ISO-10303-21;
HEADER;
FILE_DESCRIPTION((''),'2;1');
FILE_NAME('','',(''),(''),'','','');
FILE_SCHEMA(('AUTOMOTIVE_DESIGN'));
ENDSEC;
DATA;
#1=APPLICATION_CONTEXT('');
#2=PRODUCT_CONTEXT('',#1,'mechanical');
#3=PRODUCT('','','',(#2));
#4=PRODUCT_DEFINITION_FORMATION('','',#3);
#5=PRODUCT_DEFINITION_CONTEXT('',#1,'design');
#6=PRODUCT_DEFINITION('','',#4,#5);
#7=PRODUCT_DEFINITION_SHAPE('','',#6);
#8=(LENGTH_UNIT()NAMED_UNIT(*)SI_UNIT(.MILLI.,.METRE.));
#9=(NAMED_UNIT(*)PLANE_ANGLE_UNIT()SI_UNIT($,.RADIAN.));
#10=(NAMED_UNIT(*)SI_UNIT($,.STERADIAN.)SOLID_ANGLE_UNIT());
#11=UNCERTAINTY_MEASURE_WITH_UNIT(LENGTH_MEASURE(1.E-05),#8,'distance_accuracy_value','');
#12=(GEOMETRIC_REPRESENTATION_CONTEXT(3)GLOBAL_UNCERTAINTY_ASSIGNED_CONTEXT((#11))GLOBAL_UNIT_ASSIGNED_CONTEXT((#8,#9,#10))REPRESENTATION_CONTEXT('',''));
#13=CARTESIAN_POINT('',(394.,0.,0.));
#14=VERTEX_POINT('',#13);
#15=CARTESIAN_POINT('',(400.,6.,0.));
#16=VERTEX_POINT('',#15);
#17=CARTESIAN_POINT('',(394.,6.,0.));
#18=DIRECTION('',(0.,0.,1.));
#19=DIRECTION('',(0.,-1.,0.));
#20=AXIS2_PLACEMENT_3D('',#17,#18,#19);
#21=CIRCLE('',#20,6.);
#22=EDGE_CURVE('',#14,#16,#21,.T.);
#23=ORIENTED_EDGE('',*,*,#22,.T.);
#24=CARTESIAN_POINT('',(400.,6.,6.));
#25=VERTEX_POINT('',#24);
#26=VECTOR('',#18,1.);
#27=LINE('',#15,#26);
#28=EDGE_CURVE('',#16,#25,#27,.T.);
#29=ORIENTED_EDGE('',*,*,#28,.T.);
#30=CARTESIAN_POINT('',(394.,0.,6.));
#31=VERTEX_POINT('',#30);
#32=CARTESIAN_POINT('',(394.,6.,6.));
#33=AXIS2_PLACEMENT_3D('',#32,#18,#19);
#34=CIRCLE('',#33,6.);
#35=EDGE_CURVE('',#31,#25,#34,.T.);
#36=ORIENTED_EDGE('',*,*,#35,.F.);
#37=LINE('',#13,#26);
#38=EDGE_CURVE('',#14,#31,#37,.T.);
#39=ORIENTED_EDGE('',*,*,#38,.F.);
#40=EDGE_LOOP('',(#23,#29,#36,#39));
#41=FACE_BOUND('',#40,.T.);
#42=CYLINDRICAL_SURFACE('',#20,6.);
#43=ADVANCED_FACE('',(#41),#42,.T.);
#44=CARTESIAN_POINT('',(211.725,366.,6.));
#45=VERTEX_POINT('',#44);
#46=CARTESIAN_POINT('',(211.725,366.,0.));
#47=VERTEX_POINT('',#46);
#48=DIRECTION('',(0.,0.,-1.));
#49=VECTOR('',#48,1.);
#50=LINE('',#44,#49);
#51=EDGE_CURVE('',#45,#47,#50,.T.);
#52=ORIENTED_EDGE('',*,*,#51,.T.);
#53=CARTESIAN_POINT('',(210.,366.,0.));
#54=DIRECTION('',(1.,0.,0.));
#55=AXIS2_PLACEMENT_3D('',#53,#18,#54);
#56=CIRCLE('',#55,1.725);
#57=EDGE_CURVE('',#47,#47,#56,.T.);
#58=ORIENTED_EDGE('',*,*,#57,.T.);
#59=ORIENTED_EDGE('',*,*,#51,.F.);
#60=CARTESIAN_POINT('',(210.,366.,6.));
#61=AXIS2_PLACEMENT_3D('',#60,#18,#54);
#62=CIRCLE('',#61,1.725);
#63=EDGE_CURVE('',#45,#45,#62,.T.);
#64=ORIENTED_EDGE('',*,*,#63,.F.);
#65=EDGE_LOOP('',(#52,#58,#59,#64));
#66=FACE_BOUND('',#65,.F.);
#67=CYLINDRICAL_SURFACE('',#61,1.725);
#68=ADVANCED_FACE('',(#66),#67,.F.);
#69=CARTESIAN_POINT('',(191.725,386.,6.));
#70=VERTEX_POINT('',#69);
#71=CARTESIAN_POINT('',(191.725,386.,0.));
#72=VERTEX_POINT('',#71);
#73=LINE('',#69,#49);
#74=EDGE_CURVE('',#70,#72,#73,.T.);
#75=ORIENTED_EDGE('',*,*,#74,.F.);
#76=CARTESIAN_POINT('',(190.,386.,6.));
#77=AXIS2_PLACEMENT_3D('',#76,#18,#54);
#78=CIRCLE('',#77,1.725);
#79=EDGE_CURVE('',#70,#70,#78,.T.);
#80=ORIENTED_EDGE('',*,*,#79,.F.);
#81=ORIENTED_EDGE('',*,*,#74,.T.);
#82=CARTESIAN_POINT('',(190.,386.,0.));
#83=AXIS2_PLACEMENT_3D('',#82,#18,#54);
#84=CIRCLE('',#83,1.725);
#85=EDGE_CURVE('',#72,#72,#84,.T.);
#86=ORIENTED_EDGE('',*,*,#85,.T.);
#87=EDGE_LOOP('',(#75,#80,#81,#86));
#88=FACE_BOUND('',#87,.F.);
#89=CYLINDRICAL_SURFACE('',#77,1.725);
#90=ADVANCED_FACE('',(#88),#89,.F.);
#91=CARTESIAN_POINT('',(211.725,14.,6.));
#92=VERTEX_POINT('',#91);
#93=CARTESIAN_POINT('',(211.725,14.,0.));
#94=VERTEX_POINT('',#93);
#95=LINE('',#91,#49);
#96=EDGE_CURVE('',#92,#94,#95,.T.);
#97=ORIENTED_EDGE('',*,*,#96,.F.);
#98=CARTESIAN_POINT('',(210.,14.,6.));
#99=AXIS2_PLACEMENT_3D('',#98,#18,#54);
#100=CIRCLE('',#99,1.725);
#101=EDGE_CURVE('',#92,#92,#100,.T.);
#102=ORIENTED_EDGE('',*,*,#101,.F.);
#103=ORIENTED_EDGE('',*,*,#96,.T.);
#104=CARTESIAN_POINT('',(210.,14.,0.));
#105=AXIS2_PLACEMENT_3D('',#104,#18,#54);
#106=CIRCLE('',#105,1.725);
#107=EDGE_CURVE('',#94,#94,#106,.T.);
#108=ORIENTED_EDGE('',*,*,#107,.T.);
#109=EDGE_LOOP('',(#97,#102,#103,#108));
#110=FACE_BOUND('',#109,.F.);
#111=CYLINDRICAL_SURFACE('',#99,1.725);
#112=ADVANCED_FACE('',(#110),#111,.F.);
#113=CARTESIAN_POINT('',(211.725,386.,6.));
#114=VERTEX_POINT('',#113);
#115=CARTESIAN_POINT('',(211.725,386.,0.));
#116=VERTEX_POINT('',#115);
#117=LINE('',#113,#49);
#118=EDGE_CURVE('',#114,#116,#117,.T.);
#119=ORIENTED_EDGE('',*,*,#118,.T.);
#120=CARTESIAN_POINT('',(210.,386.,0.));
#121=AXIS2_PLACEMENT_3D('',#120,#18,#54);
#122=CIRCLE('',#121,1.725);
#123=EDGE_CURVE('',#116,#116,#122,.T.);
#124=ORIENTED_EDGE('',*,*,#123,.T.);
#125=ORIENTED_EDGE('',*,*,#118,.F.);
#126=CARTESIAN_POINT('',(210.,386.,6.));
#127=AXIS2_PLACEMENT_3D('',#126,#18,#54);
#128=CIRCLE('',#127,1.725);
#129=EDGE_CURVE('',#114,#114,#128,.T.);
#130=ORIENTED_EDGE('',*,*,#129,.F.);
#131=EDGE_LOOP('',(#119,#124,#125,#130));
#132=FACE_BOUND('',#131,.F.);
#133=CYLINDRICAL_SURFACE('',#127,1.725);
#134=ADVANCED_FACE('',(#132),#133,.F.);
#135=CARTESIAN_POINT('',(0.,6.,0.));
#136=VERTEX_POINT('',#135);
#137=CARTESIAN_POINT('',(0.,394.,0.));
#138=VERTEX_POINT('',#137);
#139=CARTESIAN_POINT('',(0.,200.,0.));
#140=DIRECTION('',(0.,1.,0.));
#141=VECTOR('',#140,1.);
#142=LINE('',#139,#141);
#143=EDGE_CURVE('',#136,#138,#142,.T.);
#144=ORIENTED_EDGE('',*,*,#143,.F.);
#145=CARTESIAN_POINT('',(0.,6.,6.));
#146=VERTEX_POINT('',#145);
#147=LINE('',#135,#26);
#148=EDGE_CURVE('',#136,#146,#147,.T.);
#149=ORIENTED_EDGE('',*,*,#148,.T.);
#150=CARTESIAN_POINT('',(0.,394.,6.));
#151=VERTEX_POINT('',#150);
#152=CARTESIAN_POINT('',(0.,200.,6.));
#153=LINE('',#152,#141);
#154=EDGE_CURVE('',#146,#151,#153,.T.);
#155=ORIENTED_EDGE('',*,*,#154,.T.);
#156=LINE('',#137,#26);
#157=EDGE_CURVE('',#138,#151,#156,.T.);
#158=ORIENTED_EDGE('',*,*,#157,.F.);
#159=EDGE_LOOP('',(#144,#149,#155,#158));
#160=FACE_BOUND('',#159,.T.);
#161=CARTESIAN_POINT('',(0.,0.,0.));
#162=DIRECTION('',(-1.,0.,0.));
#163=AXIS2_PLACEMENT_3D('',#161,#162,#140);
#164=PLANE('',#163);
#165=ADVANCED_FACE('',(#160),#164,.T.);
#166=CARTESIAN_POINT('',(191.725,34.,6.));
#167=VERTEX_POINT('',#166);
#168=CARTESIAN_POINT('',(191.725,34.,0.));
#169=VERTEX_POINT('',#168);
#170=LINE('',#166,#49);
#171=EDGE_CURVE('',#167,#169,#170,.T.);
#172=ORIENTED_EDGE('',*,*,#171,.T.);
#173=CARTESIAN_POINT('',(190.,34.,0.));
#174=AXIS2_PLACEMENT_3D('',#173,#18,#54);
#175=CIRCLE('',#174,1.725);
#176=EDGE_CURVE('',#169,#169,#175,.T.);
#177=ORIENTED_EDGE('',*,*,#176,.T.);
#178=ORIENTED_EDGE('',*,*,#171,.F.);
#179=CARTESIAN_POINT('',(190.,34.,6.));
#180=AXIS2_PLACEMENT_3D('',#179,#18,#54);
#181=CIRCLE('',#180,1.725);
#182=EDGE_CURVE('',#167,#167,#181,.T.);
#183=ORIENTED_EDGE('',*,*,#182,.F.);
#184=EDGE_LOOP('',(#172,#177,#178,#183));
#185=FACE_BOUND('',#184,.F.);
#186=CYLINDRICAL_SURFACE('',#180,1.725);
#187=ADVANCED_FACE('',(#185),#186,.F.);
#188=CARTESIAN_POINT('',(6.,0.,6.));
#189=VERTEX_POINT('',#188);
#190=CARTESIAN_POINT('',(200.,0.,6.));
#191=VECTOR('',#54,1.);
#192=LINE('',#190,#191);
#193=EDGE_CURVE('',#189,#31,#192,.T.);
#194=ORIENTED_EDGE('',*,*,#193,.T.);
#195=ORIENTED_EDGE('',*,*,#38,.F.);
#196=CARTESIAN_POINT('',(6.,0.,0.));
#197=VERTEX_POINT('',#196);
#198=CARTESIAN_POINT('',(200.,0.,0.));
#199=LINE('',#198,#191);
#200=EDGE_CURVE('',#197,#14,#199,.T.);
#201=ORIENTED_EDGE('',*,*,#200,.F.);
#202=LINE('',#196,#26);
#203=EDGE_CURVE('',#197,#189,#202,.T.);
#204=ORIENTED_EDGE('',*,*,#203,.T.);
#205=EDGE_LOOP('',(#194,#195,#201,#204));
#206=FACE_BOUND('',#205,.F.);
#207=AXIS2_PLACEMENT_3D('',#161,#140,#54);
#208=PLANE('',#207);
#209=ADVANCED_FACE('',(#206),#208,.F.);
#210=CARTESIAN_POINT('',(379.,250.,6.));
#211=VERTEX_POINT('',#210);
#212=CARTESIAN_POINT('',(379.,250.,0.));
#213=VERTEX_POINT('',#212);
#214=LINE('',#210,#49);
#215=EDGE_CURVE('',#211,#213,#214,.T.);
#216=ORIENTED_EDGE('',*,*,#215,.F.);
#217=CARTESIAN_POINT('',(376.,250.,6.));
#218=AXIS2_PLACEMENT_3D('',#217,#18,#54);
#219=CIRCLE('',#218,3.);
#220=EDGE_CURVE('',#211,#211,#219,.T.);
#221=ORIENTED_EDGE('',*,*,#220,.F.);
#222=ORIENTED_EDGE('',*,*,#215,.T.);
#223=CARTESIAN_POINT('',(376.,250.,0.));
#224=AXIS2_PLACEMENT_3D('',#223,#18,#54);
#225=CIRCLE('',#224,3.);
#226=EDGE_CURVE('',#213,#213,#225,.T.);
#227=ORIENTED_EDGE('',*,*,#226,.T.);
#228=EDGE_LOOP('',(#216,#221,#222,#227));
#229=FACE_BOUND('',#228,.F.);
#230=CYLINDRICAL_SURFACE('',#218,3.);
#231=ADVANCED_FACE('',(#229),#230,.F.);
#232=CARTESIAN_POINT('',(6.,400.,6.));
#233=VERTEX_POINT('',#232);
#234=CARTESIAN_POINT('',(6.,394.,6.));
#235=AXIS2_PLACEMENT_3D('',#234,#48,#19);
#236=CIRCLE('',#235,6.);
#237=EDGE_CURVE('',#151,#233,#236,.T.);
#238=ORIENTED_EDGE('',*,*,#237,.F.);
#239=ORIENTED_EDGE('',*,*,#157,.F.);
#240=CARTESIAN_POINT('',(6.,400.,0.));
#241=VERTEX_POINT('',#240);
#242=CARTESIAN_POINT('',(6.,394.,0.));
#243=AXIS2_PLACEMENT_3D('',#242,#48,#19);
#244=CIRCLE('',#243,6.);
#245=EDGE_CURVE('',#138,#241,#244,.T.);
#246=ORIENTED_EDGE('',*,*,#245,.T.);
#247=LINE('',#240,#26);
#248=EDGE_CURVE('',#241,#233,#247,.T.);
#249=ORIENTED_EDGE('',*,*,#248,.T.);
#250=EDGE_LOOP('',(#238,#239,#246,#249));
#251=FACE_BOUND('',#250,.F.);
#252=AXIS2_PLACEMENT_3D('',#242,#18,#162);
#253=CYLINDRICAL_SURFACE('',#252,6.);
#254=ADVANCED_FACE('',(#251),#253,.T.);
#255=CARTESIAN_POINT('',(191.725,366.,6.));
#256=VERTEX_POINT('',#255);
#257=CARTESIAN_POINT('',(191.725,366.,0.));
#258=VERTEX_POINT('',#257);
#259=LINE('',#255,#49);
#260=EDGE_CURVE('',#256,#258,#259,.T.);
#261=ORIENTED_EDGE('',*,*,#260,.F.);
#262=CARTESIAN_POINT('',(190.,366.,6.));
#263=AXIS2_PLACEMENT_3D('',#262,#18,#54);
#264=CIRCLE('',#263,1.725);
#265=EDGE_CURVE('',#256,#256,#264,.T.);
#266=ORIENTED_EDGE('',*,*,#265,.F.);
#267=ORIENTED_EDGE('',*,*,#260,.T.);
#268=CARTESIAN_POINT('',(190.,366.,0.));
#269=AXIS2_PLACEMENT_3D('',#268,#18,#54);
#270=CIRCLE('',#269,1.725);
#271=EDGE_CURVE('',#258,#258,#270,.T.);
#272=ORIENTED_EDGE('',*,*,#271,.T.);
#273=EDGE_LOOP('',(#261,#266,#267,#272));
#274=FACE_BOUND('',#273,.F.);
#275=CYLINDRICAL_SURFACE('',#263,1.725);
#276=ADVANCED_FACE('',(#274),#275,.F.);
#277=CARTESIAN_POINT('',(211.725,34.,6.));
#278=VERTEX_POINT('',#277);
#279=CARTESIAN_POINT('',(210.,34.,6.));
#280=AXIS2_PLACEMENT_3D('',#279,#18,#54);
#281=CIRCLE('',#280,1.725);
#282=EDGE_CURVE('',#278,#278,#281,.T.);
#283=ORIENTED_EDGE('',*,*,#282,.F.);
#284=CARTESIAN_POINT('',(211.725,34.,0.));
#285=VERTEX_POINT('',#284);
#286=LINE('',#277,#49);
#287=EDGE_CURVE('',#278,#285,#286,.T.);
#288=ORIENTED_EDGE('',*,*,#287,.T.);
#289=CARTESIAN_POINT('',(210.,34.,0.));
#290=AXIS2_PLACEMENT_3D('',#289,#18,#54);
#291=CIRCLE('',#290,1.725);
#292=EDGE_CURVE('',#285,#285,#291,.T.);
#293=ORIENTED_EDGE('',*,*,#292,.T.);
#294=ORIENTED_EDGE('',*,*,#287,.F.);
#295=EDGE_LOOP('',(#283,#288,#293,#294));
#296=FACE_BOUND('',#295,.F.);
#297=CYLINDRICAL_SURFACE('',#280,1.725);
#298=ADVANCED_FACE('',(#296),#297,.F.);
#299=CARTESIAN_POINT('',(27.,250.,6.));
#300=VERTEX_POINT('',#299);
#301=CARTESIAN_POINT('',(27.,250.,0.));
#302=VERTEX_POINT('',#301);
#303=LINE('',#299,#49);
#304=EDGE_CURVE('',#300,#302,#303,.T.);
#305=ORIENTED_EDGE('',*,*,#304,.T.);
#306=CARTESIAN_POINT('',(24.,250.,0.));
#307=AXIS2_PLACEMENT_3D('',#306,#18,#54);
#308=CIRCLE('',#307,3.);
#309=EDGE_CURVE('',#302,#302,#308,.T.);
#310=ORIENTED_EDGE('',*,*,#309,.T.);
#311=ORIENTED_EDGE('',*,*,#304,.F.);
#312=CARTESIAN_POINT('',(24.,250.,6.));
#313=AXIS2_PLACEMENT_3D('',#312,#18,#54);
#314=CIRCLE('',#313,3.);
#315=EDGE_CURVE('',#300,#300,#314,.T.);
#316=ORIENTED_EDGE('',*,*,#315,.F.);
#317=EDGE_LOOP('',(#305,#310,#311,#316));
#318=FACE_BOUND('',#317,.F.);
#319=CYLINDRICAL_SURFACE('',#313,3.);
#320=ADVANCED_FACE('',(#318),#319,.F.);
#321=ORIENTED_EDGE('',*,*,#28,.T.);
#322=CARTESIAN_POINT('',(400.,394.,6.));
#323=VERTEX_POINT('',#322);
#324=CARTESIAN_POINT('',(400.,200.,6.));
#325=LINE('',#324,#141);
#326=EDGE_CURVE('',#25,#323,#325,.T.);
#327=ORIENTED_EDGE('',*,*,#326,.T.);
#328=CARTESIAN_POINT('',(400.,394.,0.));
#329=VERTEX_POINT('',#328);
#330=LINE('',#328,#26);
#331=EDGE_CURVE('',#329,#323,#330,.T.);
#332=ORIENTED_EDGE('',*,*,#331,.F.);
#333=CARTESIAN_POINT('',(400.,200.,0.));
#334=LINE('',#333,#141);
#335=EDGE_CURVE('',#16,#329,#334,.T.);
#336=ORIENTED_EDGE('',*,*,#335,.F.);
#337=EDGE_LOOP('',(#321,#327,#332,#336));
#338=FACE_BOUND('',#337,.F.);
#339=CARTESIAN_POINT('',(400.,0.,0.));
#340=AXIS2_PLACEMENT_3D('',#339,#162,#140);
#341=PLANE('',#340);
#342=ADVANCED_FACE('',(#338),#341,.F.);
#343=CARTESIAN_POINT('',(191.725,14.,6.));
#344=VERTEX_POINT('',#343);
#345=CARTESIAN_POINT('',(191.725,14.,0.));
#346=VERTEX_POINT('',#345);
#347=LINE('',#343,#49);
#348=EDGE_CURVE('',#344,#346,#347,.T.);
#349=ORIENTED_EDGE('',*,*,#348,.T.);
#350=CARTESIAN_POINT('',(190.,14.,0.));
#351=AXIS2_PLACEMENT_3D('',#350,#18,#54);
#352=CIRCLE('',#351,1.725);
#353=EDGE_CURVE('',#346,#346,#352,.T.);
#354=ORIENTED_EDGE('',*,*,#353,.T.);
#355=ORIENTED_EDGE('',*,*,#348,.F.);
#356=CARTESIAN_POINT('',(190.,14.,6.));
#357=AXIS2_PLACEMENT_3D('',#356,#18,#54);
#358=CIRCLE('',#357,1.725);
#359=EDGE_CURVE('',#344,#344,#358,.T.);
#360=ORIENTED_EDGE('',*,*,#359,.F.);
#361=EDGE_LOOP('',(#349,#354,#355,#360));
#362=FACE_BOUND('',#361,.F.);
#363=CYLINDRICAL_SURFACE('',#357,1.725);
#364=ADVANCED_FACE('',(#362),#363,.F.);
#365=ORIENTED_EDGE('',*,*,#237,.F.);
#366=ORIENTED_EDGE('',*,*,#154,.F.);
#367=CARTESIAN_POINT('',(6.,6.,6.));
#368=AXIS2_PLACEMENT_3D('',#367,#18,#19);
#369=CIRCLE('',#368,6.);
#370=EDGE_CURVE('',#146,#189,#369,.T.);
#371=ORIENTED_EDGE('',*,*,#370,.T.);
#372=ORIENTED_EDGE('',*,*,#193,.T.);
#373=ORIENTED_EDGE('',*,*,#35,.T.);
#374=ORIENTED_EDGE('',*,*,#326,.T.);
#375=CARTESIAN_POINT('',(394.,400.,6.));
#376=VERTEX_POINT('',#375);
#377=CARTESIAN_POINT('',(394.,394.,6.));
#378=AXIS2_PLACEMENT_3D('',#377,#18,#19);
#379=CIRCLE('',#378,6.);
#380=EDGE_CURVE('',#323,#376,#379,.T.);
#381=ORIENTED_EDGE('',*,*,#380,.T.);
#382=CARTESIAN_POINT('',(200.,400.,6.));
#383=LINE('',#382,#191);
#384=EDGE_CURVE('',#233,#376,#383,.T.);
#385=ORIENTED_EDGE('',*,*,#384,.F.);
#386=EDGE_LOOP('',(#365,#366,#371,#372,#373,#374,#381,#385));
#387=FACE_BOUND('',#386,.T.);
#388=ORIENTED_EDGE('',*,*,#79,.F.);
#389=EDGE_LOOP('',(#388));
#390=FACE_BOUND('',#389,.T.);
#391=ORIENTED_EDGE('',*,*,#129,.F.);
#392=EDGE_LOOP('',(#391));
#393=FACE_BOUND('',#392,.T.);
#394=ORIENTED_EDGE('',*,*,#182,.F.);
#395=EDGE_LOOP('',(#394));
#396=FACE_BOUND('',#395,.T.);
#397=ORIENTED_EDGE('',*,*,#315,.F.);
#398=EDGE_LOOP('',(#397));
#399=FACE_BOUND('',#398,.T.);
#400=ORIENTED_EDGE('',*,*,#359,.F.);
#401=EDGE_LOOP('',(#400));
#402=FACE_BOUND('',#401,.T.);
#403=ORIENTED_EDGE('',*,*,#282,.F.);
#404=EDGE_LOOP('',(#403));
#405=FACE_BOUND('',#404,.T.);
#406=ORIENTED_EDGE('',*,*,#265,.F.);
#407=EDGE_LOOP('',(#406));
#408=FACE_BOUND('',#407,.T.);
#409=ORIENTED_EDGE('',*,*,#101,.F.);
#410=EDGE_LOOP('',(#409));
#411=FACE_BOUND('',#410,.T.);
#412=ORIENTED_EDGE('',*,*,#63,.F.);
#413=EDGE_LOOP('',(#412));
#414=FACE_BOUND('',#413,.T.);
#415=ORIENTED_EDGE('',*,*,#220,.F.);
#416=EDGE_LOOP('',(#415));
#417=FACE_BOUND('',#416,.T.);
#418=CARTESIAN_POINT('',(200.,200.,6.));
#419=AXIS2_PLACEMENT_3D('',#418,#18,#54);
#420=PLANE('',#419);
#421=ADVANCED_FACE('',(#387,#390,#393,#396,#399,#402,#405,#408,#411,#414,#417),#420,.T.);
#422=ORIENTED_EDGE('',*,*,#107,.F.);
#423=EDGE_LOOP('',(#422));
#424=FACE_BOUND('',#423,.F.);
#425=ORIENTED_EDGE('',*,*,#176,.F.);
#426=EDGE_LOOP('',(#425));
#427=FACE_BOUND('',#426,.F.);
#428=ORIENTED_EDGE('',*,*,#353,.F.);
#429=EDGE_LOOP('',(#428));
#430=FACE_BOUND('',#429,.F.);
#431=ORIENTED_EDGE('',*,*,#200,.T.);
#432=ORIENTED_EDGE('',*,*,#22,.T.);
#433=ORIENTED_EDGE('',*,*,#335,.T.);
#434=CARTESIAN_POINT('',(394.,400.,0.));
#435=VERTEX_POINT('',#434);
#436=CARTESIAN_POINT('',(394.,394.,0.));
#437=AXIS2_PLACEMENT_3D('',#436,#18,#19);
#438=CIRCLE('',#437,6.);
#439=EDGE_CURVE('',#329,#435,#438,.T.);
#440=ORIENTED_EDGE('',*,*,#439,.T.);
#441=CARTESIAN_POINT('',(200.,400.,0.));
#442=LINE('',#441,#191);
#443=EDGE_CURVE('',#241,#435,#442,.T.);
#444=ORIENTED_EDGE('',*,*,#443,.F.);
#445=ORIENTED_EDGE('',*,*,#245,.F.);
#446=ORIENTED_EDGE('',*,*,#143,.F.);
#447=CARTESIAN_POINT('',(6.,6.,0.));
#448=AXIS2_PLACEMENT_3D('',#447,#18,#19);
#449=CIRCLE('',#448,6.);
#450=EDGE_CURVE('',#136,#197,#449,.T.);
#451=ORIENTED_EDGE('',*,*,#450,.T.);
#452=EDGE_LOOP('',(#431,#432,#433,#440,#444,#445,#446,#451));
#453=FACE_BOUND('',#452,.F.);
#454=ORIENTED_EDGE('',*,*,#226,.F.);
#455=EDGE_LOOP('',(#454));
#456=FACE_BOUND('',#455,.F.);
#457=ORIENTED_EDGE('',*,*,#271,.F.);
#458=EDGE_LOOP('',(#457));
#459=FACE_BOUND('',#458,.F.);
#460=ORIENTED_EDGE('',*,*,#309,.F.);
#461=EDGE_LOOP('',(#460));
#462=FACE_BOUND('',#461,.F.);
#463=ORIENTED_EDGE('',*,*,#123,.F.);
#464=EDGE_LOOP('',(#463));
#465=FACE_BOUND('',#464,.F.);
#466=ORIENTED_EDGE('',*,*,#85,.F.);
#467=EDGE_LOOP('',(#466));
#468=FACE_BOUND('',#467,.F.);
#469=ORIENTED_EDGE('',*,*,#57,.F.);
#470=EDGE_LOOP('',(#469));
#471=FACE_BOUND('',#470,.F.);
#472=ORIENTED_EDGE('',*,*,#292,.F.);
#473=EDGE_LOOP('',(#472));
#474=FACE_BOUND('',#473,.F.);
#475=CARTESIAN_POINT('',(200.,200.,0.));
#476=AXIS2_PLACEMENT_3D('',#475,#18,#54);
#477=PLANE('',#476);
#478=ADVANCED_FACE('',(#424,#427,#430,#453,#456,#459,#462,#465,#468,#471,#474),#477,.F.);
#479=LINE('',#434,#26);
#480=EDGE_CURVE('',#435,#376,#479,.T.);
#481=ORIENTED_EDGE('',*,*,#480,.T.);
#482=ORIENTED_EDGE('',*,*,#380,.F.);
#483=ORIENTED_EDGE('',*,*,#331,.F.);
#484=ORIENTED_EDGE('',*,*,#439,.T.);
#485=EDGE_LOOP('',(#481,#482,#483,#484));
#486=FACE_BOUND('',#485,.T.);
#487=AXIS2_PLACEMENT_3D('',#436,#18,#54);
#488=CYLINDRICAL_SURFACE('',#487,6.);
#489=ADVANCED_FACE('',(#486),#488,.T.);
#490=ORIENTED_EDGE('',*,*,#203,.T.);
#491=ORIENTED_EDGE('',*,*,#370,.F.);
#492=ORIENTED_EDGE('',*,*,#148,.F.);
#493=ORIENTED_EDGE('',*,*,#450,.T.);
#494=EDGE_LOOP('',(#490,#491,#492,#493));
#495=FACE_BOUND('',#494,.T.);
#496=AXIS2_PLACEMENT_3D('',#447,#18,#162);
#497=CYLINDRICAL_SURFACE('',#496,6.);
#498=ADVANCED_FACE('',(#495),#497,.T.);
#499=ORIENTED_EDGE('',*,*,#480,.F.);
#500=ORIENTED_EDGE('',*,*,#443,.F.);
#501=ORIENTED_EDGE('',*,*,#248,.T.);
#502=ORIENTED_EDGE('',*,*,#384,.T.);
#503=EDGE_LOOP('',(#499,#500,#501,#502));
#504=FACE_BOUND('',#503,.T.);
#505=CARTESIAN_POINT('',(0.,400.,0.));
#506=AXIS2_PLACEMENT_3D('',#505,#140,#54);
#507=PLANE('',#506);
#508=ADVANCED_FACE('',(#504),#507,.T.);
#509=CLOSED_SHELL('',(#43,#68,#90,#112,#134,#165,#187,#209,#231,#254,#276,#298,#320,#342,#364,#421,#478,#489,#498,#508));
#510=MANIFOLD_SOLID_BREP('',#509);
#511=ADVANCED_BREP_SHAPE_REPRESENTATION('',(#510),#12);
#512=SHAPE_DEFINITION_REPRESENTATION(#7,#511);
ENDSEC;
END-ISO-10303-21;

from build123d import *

# Parameters (mm, degrees)
F0_W     = 400
F0_H     = 400
F1_DEPTH = 6
F2_R     = 6
F3_R     = 3
F3_R_2   = 1.725
F4_DEPTH = 6


with BuildPart() as f1:
    # F0 (on Top) → F1 (new body)
    with BuildSketch(Plane.XY):
        with Locations((200, 200)):
            Rectangle(F0_W, F0_H)
    extrude(amount=F1_DEPTH)

    # F2
    f2_edges = [f1.edges().sort_by_distance(p)[0] for p in [
        (0, 400, 3),
        (400, 400, 3),
        (400, 0, 3),
        (0, 0, 3),
    ]]
    fillet(f2_edges, radius=F2_R)

    # F3 (on face) → F4 (cut, through all)
    with BuildSketch(Plane.XY.offset(6)):
        with Locations((24, 250)):
            Circle(F3_R)
        with Locations((376, 250)):
            Circle(F3_R)
        with Locations((190, 386)):
            Circle(F3_R_2)
        with Locations((210, 386)):
            Circle(F3_R_2)
        with Locations((210, 366)):
            Circle(F3_R_2)
        with Locations((190, 366)):
            Circle(F3_R_2)
        with Locations((190, 34)):
            Circle(F3_R_2)
        with Locations((210, 34)):
            Circle(F3_R_2)
        with Locations((210, 14)):
            Circle(F3_R_2)
        with Locations((190, 14)):
            Circle(F3_R_2)
    extrude(amount=-F4_DEPTH, mode=Mode.SUBTRACT)


solid = f1.part
